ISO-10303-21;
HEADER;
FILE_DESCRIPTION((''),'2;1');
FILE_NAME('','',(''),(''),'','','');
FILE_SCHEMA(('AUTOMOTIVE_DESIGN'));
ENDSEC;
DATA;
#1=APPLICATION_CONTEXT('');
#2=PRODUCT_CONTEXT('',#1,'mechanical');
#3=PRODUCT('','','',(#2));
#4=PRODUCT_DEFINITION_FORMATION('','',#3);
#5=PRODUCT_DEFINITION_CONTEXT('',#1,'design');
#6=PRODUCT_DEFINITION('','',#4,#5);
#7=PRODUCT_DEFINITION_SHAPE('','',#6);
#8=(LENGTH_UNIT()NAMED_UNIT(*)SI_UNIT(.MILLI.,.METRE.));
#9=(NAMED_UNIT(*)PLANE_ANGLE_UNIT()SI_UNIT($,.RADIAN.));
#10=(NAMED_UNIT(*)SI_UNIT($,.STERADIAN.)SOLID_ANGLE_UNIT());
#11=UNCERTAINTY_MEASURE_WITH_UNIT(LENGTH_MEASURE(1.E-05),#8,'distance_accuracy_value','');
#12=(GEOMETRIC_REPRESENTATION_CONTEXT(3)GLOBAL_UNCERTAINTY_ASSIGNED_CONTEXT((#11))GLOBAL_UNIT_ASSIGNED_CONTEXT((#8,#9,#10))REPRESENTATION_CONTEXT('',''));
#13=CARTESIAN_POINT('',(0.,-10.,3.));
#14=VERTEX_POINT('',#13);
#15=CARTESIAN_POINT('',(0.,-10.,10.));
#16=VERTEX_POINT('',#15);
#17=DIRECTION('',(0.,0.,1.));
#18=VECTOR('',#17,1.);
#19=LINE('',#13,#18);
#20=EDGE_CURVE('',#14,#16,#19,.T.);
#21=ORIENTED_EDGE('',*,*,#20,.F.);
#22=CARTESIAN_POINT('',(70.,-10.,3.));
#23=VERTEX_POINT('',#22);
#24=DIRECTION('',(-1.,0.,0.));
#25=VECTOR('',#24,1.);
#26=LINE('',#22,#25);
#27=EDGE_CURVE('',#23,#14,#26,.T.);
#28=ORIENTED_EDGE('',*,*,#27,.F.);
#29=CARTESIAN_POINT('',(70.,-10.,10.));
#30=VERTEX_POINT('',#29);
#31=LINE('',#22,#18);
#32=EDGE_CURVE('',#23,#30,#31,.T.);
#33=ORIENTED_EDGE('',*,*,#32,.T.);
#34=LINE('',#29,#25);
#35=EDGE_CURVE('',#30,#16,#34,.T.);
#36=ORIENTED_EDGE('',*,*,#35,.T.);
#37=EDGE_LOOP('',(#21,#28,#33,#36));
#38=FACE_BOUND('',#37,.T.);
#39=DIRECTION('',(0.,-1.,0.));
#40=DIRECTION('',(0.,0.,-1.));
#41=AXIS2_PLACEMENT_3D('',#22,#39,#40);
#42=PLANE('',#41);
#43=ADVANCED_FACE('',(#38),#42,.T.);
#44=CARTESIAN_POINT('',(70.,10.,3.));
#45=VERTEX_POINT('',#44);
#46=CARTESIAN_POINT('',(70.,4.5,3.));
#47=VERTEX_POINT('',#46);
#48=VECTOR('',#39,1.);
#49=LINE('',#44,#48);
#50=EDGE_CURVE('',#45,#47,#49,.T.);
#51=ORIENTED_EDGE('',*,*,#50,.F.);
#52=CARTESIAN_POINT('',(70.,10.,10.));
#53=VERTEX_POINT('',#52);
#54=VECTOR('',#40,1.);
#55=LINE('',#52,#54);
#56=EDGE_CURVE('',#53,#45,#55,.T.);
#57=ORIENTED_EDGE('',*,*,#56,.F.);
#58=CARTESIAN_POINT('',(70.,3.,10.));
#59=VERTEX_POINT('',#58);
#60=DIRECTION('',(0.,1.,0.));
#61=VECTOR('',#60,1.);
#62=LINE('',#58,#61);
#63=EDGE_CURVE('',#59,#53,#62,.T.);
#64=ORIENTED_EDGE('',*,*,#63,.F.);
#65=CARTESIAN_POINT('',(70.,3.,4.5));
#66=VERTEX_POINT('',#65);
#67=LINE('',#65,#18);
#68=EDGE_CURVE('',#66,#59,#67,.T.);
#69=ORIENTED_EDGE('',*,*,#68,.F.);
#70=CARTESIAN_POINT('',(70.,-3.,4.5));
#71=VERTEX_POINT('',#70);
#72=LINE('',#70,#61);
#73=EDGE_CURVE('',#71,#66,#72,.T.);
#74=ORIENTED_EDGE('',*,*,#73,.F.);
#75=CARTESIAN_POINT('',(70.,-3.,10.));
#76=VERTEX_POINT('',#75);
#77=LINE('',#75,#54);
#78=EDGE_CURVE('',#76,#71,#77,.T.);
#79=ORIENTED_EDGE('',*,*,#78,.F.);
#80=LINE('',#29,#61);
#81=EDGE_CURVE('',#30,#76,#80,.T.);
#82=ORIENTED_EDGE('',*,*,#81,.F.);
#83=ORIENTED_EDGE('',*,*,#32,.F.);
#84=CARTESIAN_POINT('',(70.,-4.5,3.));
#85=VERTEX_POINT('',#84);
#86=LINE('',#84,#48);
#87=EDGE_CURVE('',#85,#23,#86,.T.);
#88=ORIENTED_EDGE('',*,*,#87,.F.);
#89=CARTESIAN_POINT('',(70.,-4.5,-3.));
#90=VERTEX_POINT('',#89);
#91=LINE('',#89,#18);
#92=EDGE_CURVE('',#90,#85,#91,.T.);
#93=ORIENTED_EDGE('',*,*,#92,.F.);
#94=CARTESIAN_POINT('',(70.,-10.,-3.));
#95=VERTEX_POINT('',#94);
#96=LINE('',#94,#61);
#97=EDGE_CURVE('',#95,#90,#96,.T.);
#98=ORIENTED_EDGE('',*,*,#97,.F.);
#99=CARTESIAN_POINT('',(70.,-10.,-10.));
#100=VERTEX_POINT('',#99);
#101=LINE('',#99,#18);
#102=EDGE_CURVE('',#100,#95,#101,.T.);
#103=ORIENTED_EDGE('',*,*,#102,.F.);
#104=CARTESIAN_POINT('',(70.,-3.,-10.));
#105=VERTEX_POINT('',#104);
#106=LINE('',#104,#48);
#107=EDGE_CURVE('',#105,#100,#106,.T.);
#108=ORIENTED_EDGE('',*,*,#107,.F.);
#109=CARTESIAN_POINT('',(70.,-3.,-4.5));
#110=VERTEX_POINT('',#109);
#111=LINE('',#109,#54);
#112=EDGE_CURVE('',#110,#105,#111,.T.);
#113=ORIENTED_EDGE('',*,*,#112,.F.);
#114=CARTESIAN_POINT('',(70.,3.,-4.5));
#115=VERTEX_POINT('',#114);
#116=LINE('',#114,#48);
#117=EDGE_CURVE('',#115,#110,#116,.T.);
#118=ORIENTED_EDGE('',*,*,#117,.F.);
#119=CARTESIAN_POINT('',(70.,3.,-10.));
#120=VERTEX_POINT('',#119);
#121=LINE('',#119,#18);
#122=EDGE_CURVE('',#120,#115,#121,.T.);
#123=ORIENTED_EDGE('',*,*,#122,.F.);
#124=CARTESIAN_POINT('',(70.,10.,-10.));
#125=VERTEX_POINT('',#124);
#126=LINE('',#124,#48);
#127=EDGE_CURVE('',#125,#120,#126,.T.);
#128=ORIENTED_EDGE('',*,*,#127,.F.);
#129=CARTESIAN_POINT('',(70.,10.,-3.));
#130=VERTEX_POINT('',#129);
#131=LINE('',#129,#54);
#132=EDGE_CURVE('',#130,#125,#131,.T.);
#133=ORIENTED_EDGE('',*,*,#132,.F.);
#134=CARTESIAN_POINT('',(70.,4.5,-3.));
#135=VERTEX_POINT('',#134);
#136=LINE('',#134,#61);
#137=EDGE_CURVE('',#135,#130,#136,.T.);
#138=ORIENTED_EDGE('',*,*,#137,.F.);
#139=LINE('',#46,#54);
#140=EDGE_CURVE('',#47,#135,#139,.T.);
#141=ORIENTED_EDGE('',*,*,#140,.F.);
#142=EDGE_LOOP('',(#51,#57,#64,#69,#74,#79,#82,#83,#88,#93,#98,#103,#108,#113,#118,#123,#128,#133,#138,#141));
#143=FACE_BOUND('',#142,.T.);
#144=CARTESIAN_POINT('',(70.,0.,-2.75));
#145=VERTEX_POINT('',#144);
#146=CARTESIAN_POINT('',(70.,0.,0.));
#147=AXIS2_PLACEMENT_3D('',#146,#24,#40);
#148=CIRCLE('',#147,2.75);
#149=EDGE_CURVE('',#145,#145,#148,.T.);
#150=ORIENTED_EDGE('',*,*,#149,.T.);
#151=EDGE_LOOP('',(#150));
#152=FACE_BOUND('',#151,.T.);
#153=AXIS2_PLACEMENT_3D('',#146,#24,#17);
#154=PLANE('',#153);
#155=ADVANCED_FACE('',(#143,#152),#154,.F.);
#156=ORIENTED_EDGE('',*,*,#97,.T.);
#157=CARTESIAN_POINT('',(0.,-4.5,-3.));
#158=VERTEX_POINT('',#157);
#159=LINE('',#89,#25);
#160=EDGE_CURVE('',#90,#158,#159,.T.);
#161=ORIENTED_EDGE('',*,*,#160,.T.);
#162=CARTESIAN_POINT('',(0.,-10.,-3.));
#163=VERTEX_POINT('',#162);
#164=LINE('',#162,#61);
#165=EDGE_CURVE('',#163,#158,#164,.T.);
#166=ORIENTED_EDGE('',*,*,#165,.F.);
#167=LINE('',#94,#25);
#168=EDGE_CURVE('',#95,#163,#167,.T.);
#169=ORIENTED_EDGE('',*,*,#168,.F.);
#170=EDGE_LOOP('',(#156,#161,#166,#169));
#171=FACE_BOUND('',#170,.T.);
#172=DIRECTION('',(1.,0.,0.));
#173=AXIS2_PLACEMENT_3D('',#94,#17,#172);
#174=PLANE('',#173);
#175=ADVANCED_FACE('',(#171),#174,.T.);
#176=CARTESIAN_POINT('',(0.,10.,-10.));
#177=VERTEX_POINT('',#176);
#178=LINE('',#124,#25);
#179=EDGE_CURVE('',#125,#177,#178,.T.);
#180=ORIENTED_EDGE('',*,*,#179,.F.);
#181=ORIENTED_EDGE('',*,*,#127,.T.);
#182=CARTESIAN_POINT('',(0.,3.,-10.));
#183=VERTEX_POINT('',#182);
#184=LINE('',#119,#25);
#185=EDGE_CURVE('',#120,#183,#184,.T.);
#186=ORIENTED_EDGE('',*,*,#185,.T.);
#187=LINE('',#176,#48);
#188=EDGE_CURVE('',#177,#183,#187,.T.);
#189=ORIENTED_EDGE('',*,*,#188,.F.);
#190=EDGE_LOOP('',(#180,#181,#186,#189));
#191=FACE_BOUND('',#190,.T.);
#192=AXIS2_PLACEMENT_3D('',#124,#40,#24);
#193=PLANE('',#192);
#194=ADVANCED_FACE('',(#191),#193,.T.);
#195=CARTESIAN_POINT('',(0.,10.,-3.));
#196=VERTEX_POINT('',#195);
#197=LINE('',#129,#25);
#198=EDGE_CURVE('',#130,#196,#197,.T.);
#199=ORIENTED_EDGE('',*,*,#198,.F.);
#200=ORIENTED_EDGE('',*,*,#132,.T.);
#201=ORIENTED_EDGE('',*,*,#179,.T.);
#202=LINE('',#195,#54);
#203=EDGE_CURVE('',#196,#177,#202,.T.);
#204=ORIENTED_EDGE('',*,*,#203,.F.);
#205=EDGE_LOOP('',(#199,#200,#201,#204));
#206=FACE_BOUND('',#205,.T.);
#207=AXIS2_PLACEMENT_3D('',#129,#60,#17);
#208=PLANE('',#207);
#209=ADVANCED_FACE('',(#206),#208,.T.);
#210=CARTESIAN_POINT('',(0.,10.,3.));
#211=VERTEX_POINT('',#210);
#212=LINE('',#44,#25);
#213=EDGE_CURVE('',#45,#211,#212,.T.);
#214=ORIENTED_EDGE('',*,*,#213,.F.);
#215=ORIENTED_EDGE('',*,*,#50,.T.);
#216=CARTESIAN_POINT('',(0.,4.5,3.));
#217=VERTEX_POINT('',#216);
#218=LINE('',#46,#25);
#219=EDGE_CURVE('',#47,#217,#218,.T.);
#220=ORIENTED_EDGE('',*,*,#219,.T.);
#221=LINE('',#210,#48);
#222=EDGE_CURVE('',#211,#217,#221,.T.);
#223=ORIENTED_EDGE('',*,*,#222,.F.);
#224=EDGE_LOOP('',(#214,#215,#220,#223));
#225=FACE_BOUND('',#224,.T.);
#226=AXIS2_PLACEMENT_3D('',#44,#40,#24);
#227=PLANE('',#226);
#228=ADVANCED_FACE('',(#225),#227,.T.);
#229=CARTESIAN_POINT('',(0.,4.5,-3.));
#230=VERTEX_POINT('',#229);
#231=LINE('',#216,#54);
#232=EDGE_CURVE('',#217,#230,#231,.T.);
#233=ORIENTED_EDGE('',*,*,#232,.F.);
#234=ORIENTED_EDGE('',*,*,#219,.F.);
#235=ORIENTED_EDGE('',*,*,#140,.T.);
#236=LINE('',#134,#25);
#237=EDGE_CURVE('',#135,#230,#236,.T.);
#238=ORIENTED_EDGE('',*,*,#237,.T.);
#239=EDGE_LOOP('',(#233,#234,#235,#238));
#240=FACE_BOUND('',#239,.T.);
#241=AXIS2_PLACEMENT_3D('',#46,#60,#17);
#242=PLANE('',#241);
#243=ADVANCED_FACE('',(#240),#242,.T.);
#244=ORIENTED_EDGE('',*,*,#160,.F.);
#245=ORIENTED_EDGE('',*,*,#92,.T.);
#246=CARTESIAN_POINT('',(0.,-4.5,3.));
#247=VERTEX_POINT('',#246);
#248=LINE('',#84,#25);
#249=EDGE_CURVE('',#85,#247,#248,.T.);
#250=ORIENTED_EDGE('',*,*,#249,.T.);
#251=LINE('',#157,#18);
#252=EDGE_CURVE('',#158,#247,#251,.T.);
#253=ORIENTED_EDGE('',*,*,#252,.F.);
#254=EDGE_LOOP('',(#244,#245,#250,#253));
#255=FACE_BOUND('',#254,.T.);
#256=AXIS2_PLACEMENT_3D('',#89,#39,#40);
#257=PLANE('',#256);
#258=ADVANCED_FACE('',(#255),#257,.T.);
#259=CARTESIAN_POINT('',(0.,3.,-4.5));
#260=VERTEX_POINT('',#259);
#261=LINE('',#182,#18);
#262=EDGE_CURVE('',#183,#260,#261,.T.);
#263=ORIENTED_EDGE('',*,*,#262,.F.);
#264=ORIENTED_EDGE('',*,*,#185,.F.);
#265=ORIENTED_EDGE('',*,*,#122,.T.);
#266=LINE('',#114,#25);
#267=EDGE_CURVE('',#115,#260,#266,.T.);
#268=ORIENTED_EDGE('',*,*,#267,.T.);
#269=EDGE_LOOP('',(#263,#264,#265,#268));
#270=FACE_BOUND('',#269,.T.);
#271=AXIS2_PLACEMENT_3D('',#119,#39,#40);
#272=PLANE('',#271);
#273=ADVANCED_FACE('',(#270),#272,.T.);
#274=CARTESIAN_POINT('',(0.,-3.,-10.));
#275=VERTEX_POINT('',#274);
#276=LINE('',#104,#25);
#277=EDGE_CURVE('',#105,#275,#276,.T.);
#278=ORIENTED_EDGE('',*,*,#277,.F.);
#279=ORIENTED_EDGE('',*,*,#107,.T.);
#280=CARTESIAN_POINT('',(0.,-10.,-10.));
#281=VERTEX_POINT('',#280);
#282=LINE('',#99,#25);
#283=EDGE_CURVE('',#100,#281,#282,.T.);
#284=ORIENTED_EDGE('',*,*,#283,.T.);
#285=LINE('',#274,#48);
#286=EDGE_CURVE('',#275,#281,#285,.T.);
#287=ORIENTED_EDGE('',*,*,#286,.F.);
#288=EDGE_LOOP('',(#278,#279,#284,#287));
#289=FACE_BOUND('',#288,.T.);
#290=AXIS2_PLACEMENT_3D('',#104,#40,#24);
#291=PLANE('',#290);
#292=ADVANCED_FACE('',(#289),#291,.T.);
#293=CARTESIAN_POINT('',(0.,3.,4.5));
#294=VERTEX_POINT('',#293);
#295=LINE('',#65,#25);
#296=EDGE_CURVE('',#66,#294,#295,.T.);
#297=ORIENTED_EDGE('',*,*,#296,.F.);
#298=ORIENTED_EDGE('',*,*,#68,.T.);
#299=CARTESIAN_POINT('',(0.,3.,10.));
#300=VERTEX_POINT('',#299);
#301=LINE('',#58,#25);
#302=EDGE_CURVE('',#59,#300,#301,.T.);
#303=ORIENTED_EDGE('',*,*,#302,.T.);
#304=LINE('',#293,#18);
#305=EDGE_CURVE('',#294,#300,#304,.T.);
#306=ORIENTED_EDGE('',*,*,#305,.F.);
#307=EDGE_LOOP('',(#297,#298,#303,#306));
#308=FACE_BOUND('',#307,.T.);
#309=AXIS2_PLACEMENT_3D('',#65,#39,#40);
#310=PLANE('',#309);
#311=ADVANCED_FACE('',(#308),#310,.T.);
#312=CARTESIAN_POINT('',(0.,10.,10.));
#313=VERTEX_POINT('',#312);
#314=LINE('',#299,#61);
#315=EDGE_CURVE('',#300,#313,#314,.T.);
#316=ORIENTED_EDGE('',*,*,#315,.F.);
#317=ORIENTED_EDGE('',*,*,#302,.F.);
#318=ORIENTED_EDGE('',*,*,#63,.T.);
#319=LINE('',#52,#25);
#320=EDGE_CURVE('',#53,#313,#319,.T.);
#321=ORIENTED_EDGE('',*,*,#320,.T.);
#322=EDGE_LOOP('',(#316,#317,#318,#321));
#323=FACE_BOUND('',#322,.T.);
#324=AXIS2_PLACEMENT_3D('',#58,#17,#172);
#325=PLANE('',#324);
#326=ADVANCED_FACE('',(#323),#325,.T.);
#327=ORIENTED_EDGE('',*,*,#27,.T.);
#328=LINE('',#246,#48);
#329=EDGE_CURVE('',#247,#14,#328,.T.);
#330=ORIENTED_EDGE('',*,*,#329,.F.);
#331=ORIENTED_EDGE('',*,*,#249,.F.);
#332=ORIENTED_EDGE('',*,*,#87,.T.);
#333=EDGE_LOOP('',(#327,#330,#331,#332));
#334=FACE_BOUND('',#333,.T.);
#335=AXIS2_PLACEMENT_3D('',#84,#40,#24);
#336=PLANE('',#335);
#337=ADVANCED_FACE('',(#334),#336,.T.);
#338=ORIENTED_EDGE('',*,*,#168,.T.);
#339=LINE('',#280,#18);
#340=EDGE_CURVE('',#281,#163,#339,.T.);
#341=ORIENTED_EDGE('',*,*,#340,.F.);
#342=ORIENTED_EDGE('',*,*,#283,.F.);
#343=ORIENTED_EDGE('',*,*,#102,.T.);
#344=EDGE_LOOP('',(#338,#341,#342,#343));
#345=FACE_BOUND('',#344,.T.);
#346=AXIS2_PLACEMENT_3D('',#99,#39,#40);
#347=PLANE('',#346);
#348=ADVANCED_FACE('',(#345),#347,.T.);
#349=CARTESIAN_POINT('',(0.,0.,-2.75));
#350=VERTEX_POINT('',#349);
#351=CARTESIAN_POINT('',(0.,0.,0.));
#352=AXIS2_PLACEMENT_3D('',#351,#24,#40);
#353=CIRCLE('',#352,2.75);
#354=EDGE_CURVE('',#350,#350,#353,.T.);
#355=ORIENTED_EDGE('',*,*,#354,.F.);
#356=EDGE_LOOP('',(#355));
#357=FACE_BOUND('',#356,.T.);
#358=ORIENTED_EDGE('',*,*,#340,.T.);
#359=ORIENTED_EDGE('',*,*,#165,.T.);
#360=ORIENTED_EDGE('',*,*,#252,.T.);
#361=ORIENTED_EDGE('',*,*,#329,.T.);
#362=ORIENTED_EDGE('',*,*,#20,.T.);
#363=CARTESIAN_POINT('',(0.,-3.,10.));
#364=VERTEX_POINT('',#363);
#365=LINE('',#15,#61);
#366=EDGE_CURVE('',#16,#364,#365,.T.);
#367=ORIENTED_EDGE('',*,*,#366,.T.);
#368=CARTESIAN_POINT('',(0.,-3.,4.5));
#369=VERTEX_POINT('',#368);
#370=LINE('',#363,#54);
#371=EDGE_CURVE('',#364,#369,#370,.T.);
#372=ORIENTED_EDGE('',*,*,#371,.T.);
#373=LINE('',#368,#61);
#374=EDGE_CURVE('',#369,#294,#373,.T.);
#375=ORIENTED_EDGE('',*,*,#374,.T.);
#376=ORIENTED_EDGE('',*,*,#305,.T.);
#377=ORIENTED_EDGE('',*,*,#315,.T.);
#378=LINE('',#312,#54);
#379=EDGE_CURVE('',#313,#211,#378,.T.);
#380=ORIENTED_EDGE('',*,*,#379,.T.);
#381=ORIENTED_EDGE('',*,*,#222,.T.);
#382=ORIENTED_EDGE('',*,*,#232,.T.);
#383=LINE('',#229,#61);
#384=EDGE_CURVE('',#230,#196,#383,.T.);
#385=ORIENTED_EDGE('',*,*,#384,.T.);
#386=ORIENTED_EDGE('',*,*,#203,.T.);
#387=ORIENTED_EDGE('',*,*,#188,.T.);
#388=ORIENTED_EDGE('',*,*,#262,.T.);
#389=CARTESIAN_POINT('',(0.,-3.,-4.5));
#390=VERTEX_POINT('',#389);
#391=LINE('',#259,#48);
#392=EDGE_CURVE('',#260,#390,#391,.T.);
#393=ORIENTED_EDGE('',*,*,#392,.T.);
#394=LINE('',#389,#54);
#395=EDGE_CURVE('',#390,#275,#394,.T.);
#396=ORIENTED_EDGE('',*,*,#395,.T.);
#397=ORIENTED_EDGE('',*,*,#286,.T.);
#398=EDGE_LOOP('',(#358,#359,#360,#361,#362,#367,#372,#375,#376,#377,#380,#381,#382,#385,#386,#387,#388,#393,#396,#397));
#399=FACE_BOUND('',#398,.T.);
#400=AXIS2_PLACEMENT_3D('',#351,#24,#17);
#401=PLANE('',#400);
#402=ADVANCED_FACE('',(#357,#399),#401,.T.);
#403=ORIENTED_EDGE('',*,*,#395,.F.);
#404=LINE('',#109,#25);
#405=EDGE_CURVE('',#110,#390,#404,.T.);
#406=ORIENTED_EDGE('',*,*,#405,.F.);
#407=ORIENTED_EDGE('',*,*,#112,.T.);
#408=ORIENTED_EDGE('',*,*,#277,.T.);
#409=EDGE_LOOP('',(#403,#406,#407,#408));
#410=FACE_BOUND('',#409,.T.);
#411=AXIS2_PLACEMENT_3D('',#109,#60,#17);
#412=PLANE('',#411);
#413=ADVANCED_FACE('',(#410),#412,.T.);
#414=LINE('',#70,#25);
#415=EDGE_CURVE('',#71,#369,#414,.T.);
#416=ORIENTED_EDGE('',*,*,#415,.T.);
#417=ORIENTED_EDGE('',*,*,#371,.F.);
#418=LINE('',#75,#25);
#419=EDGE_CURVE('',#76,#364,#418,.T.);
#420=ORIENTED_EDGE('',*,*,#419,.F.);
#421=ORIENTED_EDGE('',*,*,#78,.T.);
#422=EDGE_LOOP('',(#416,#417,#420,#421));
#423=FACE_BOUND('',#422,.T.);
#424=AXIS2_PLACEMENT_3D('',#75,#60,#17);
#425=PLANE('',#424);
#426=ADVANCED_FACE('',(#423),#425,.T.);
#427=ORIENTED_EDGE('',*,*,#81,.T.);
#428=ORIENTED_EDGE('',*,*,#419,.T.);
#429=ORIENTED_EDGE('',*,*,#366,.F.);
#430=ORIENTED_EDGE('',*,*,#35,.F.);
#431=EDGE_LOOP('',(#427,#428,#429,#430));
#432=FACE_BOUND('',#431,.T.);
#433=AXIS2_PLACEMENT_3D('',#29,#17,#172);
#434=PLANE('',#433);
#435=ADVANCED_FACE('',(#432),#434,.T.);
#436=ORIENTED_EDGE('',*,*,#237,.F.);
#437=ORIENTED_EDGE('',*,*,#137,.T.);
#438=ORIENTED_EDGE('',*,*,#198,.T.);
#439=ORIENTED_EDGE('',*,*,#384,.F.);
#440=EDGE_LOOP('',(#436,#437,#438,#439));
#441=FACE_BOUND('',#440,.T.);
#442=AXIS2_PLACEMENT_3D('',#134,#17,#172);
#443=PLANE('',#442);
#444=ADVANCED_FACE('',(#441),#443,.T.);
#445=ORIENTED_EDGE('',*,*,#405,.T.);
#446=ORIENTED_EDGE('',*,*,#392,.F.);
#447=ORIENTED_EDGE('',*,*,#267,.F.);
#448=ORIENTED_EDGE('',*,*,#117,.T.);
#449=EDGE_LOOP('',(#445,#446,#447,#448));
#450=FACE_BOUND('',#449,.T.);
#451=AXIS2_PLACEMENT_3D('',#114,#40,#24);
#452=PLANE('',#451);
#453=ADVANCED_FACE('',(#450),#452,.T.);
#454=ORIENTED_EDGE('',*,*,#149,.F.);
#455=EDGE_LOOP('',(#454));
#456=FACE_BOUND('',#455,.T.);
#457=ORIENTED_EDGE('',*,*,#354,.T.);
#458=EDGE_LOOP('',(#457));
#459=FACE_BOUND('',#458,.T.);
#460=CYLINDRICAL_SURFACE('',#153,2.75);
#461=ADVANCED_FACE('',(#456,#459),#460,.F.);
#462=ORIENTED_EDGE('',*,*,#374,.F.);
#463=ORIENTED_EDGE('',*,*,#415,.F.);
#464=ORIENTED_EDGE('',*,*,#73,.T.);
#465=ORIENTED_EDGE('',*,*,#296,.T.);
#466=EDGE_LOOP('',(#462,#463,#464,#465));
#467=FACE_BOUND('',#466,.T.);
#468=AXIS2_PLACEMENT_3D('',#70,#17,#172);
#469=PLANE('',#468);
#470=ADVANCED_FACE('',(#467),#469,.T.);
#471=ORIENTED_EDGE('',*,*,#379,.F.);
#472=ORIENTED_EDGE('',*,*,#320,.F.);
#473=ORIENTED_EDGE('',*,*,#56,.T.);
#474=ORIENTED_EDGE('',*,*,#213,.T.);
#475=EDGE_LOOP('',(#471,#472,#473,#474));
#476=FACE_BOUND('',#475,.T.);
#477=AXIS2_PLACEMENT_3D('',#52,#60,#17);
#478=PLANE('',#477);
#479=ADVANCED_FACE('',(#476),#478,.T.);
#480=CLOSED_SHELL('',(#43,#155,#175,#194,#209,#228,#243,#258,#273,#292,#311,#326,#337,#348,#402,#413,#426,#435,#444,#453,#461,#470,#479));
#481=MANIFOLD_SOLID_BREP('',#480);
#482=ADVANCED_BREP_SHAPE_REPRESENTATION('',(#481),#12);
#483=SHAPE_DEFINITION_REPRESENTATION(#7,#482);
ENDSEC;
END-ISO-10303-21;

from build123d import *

# Parameters (mm, degrees)
ESQUISSE1_R        = 2.75
BOSS_EXTRU_1_DEPTH = 70


with BuildPart() as part:
    # Esquisse1 → Boss.-Extru.1 (new body)
    with BuildSketch(Plane(origin=(0, 0, 0), x_dir=(0, -1, 0), z_dir=(-1, 0, 0))):
        Polygon((-3, -10), (-3, -4.5), (3, -4.5), (3, -10), (10, -10), (10, -3), (4.5, -3), (4.5, 3), (10, 3), (10, 10), (3, 10), (3, 4.5), (-3, 4.5), (-3, 10), (-10, 10), (-10, 3), (-4.5, 3), (-4.5, -3), (-10, -3), (-10, -10), align=None)
        Circle(ESQUISSE1_R, mode=Mode.SUBTRACT)
    extrude(amount=-BOSS_EXTRU_1_DEPTH)


solid = part.part
